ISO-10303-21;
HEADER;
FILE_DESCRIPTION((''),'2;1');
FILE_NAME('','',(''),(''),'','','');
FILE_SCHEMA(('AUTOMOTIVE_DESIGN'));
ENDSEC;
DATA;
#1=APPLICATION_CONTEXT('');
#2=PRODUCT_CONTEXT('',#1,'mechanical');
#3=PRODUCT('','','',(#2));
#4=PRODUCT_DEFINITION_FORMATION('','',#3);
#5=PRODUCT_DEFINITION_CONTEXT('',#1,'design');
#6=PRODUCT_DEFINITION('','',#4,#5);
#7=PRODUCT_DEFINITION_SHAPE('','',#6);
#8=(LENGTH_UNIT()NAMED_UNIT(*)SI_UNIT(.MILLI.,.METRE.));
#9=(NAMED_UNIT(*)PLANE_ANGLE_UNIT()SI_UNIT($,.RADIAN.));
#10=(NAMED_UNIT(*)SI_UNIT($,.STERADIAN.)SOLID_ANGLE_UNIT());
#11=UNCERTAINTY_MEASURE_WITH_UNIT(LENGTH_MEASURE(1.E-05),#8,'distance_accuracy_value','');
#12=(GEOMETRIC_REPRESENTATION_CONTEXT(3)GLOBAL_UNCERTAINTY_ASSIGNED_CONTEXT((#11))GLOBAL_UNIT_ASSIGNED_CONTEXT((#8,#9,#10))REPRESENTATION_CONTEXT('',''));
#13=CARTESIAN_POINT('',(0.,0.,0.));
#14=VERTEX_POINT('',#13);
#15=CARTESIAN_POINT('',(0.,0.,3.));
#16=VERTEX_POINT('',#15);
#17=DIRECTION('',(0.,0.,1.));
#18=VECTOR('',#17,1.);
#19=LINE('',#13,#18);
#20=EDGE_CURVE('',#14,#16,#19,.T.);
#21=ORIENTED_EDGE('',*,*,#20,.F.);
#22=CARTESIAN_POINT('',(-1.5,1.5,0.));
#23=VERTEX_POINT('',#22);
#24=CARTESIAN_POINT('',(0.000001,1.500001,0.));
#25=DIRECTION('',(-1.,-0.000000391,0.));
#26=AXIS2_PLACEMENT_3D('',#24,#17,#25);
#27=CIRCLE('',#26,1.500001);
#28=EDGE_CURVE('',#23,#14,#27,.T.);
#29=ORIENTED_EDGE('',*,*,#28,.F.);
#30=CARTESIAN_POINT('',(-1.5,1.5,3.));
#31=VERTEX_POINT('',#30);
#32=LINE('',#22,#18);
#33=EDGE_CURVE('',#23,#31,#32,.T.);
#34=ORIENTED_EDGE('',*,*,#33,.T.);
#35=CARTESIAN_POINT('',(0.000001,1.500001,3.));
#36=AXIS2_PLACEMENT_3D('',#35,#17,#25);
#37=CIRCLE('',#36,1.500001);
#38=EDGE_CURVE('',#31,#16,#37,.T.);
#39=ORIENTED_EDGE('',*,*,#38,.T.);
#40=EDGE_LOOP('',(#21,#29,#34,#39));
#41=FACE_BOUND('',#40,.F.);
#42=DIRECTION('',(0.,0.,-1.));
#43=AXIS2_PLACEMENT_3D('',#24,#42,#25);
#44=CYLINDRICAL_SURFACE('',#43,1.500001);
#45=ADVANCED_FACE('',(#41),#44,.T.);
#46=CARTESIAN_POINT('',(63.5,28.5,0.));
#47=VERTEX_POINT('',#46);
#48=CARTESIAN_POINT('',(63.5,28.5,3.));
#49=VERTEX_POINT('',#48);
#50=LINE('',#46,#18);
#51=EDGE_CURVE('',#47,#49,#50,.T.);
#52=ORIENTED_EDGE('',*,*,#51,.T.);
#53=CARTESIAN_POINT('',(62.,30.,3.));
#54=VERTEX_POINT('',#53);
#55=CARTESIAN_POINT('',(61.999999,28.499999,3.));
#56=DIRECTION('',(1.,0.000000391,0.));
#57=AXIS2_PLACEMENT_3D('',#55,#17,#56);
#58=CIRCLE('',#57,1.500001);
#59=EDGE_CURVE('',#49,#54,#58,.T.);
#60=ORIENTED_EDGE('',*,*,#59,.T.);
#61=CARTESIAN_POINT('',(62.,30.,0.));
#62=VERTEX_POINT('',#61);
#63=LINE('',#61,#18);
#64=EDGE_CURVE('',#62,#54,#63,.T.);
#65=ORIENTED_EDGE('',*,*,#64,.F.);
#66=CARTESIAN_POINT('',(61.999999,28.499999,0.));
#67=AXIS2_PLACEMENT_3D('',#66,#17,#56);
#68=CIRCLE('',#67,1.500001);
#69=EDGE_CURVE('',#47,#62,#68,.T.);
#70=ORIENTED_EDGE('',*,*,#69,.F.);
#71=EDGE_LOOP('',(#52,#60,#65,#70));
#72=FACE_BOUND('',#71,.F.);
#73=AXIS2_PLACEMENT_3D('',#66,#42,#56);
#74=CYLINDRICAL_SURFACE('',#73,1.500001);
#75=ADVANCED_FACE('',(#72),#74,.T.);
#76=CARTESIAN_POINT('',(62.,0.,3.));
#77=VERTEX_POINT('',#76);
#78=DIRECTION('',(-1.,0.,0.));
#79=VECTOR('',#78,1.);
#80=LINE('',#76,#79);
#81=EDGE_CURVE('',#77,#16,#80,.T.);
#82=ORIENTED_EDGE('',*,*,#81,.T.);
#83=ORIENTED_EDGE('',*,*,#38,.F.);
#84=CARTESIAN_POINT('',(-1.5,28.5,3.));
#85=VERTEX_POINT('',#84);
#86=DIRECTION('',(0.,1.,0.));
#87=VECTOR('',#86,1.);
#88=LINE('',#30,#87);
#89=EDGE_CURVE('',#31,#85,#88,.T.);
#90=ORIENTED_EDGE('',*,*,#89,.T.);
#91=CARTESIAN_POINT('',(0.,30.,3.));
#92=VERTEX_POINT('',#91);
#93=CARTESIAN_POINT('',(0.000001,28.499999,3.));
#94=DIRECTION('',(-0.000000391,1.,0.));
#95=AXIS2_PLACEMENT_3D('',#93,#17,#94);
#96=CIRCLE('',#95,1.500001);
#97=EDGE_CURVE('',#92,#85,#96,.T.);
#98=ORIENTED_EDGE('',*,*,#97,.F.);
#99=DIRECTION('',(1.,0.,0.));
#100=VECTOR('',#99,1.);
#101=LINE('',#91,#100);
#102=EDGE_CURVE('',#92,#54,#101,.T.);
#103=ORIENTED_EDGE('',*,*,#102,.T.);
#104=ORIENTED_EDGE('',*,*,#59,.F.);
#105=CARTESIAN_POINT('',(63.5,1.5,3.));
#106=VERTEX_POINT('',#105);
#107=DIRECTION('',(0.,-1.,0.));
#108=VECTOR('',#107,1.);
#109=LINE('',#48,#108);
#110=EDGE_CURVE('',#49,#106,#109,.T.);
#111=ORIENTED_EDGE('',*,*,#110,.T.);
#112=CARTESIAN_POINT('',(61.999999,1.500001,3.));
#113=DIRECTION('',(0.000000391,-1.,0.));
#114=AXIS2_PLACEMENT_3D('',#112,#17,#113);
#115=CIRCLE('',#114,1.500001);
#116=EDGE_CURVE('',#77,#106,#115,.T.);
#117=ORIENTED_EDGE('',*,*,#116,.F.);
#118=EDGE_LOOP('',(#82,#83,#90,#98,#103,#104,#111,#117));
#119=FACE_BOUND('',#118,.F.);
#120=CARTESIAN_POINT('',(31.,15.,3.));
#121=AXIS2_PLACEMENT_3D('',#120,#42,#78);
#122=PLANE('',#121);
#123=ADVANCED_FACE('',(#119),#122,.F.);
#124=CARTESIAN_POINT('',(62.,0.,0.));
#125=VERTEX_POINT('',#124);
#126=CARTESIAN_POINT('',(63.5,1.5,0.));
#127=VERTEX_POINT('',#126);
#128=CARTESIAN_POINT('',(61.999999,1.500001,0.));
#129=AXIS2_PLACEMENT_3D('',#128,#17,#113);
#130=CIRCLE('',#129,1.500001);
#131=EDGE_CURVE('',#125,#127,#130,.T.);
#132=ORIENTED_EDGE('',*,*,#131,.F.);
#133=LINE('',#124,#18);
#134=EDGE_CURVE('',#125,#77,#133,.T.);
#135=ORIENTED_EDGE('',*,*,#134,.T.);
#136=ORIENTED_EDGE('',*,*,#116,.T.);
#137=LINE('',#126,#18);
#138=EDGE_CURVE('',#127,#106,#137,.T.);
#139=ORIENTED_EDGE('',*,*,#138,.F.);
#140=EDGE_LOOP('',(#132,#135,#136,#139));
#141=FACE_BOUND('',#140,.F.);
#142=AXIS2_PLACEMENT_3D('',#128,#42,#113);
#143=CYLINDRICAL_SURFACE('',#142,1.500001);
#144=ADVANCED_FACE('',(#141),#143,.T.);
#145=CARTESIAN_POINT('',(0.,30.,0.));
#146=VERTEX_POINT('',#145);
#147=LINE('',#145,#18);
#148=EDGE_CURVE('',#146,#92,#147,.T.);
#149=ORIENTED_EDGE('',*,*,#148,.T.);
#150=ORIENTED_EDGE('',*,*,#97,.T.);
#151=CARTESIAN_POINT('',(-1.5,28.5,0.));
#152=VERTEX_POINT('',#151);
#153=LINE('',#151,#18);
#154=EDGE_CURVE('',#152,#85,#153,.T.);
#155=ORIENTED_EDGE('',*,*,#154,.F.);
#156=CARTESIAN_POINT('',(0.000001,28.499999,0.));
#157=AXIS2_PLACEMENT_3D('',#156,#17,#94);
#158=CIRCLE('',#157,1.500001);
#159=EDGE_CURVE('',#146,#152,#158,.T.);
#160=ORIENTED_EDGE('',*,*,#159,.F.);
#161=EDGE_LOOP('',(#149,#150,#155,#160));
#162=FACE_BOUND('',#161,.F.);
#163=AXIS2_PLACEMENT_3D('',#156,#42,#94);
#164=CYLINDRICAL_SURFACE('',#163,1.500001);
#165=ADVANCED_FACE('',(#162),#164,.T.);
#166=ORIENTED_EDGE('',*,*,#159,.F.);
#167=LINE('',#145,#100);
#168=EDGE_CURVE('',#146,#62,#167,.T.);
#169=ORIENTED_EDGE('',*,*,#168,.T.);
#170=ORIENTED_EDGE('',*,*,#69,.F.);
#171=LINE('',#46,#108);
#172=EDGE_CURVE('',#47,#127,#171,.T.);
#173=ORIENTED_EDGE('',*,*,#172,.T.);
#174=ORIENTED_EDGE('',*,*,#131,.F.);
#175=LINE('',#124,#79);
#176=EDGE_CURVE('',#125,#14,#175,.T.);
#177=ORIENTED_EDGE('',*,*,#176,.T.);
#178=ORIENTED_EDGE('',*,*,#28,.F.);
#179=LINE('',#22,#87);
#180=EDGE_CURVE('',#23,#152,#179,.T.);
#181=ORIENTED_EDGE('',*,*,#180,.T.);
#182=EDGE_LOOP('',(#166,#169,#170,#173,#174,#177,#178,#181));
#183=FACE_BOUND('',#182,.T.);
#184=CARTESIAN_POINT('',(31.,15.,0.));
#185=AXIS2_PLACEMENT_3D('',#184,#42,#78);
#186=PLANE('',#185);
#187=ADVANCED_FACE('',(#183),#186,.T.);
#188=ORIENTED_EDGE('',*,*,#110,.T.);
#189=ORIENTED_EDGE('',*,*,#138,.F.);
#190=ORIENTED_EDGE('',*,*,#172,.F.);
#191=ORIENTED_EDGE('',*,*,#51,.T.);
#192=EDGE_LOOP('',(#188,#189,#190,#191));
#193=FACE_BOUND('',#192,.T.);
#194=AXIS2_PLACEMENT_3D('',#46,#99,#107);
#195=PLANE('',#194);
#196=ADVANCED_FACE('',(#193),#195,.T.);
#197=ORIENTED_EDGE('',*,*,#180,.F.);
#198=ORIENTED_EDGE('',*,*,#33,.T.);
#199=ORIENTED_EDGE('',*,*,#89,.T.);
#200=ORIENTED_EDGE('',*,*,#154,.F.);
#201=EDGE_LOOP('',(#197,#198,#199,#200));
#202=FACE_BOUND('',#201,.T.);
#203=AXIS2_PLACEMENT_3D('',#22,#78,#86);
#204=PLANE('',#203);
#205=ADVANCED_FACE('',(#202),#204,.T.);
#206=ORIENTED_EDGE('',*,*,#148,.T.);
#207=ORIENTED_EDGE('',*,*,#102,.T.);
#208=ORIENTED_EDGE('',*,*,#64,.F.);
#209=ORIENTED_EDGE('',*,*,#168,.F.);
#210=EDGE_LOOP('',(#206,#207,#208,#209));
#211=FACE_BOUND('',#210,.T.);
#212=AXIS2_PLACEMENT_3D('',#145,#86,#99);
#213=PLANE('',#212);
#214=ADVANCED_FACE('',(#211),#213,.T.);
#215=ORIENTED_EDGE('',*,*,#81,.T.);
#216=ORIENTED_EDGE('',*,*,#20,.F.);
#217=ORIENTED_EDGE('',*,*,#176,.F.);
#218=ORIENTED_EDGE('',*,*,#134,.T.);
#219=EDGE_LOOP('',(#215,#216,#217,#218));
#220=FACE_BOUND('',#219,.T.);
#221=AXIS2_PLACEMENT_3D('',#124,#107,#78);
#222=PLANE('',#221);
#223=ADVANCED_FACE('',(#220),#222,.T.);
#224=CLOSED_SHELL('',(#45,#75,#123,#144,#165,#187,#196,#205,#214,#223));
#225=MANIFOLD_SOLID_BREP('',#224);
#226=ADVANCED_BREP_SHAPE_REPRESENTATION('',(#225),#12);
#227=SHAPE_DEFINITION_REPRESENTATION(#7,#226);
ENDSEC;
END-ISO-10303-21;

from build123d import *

# Parameters (mm, degrees)
PAD_DEPTH = 3


with BuildPart() as part:
    # Sketch → Pad (new body)
    with BuildSketch(Plane.XY):
        with BuildLine():
            Line((0, 30), (62, 30))
            ThreePointArc((63.5, 28.5), (63.06066, 29.56066), (62, 30))
            Line((63.5, 28.5), (63.5, 1.5))
            ThreePointArc((62, 0), (63.06066, 0.43934), (63.5, 1.5))
            Line((62, 0), (0, 0))
            ThreePointArc((-1.5, 1.5), (-1.06066, 0.43934), (0, 0))
            Line((-1.5, 1.5), (-1.5, 28.5))
            ThreePointArc((0, 30), (-1.06066, 29.56066), (-1.5, 28.5))
        make_face()
    extrude(amount=PAD_DEPTH)


solid = part.part
